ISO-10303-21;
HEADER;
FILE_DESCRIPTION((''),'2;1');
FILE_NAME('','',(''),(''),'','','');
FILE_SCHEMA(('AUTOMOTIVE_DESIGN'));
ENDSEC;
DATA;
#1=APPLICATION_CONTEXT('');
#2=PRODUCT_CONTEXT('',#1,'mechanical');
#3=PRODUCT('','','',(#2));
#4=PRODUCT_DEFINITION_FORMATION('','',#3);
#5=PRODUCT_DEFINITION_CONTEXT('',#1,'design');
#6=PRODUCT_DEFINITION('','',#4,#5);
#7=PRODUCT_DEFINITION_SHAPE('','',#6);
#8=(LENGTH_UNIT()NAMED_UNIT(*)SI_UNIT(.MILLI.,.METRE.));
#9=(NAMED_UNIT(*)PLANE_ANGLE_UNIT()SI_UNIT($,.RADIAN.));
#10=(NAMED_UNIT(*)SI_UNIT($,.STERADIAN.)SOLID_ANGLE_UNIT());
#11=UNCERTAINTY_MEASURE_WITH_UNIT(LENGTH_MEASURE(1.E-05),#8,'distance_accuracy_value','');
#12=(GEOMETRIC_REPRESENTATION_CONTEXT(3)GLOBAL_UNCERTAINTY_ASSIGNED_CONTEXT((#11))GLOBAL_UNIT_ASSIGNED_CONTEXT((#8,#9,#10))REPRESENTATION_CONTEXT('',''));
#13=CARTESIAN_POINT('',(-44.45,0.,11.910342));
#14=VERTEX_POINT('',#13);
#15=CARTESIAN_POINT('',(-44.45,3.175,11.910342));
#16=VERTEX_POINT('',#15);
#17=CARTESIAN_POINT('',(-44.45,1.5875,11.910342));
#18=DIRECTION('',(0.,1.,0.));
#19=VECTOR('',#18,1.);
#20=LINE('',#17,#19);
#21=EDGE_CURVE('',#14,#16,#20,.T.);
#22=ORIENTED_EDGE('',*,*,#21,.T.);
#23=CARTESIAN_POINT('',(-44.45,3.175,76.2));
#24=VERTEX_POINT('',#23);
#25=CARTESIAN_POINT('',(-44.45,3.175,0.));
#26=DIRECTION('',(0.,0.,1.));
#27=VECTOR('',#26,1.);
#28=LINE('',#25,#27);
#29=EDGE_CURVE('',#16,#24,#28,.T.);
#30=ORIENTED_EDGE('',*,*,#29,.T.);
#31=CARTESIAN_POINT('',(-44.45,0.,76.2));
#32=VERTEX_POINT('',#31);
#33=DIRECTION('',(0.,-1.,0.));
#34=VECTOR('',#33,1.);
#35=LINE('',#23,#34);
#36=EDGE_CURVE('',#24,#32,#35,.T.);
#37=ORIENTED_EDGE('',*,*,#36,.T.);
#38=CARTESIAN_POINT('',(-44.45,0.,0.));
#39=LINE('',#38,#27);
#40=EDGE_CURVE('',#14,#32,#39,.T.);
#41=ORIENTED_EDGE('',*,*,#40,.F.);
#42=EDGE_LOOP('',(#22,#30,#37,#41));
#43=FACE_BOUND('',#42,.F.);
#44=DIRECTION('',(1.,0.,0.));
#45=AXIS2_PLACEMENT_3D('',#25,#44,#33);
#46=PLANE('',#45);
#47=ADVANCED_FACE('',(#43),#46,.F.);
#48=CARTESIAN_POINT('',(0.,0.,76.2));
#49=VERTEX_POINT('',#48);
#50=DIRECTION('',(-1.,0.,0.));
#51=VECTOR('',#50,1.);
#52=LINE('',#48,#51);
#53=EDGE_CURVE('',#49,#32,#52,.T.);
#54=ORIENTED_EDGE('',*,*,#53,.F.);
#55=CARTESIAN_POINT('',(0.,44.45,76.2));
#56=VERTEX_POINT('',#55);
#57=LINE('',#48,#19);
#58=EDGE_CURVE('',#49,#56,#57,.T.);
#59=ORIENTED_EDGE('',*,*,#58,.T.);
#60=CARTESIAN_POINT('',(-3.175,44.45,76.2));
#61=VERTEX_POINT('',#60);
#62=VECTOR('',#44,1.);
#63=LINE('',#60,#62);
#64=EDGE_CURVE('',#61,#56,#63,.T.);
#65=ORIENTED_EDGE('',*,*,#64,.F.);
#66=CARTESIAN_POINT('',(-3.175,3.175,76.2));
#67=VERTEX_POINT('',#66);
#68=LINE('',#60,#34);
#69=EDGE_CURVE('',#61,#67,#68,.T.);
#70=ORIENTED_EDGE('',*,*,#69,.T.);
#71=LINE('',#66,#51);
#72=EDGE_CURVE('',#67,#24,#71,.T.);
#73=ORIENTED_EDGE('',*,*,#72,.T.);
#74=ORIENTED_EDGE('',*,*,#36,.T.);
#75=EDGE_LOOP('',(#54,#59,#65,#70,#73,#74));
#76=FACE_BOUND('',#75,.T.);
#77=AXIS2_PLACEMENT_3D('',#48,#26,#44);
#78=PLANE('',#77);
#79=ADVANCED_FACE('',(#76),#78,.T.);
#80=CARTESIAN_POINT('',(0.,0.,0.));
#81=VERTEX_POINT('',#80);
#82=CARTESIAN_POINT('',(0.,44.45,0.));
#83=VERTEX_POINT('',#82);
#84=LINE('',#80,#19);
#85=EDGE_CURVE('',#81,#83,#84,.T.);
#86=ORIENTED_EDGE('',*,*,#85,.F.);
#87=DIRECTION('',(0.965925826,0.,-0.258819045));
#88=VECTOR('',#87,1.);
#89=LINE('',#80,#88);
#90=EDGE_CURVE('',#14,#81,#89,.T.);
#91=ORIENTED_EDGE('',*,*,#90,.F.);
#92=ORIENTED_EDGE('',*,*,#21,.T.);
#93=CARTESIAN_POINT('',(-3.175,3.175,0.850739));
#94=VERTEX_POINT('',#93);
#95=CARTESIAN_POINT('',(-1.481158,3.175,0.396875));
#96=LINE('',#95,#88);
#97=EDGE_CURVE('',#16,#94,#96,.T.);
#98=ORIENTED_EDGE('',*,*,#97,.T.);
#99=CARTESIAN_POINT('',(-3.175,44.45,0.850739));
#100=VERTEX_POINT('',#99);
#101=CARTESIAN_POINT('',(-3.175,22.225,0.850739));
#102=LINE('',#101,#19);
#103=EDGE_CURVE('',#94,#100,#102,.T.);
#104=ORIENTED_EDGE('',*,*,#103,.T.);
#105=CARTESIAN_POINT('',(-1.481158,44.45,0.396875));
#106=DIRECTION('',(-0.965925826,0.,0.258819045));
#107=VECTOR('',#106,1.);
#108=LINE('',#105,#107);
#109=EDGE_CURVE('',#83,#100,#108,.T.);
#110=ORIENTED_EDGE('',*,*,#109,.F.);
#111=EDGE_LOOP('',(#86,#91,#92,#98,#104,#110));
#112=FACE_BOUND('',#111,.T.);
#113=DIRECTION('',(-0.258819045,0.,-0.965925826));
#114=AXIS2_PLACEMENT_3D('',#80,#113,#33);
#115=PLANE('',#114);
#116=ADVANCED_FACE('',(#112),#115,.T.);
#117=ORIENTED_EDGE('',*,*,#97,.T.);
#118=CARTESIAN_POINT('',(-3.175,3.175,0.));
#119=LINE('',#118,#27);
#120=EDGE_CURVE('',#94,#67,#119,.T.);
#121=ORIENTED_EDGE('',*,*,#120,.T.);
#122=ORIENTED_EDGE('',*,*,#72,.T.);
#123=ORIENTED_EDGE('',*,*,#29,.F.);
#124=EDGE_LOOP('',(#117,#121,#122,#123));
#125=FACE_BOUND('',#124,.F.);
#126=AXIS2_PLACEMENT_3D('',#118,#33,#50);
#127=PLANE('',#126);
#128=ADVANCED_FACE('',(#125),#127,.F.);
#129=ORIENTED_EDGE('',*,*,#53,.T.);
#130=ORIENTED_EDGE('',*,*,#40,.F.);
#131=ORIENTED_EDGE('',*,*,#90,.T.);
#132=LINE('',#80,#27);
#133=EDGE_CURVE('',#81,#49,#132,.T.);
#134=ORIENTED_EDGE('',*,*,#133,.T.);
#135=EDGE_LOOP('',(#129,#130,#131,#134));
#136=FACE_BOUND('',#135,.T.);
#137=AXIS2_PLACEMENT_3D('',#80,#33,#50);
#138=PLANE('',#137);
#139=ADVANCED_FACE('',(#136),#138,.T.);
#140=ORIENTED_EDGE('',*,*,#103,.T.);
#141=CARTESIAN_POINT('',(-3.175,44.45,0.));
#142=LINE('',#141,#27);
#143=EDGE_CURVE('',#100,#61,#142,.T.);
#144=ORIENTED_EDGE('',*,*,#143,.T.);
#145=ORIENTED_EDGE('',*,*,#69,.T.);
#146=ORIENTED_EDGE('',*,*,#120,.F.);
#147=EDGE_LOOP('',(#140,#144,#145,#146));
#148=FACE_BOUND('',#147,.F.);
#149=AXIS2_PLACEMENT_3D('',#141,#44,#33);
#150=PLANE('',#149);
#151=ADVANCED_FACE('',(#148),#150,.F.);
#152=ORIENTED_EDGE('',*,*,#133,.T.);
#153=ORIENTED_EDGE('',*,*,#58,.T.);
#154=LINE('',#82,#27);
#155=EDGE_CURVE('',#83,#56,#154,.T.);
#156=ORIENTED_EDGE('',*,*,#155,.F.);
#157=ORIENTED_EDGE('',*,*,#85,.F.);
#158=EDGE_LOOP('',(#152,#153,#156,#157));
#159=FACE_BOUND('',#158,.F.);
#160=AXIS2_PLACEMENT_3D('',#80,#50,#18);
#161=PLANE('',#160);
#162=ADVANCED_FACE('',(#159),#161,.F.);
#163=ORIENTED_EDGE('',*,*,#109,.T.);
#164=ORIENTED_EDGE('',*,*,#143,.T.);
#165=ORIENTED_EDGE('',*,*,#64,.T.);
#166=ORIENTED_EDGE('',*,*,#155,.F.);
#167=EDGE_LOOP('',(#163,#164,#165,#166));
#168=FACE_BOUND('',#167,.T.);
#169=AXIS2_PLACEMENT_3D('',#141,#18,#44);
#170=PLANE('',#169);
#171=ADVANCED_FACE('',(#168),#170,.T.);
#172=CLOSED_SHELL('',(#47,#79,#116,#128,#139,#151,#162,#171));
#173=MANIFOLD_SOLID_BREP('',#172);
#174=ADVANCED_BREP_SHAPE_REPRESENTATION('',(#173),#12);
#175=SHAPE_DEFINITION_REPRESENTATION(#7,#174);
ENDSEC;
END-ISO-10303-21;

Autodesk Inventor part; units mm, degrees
ref_plane "YZ Plane" through (0, 0, 0) normal (1, 0, 0) x (0, 1, 0)
ref_plane "XZ Plane" through (0, 0, 0) normal (0, 1, 0) x (-1, 0, 0)
ref_plane "XY Plane" through (0, 0, 0) normal (0, 0, 1) x (1, 0, 0)
sketch "Sketch1" plane through (0, 0, 0) normal (0, 0, 1) x (1, 0, 0)
  line L0 (0, 0) -> (0, 44.45)
  line L1 (0, 0) -> (-44.45, 0)
  line L2 (-3.175, 44.45) -> (-3.175, 3.175)
  line L3 (-3.175, 3.175) -> (-44.45, 3.175)
  line L4 (-3.175, 44.45) -> (0, 44.45)
  line L5 (-44.45, 3.175) -> (-44.45, 0)
  dimension "d0" = 44.45
  dimension "d1" = 44.45
  dimension "d2" = 3.175
extrude "Extrusion1" add sketch "Sketch1" along normal blind 76.2
ref_plane "Work Plane1" through (0, 0, 0) normal (-0.2588, 0, -0.9659) x (0, 1, 0)
split "Split1" plane through (0, 0, 0) removes the side toward (-0.2588, 0, -0.9659)
properties part number "ring support"
